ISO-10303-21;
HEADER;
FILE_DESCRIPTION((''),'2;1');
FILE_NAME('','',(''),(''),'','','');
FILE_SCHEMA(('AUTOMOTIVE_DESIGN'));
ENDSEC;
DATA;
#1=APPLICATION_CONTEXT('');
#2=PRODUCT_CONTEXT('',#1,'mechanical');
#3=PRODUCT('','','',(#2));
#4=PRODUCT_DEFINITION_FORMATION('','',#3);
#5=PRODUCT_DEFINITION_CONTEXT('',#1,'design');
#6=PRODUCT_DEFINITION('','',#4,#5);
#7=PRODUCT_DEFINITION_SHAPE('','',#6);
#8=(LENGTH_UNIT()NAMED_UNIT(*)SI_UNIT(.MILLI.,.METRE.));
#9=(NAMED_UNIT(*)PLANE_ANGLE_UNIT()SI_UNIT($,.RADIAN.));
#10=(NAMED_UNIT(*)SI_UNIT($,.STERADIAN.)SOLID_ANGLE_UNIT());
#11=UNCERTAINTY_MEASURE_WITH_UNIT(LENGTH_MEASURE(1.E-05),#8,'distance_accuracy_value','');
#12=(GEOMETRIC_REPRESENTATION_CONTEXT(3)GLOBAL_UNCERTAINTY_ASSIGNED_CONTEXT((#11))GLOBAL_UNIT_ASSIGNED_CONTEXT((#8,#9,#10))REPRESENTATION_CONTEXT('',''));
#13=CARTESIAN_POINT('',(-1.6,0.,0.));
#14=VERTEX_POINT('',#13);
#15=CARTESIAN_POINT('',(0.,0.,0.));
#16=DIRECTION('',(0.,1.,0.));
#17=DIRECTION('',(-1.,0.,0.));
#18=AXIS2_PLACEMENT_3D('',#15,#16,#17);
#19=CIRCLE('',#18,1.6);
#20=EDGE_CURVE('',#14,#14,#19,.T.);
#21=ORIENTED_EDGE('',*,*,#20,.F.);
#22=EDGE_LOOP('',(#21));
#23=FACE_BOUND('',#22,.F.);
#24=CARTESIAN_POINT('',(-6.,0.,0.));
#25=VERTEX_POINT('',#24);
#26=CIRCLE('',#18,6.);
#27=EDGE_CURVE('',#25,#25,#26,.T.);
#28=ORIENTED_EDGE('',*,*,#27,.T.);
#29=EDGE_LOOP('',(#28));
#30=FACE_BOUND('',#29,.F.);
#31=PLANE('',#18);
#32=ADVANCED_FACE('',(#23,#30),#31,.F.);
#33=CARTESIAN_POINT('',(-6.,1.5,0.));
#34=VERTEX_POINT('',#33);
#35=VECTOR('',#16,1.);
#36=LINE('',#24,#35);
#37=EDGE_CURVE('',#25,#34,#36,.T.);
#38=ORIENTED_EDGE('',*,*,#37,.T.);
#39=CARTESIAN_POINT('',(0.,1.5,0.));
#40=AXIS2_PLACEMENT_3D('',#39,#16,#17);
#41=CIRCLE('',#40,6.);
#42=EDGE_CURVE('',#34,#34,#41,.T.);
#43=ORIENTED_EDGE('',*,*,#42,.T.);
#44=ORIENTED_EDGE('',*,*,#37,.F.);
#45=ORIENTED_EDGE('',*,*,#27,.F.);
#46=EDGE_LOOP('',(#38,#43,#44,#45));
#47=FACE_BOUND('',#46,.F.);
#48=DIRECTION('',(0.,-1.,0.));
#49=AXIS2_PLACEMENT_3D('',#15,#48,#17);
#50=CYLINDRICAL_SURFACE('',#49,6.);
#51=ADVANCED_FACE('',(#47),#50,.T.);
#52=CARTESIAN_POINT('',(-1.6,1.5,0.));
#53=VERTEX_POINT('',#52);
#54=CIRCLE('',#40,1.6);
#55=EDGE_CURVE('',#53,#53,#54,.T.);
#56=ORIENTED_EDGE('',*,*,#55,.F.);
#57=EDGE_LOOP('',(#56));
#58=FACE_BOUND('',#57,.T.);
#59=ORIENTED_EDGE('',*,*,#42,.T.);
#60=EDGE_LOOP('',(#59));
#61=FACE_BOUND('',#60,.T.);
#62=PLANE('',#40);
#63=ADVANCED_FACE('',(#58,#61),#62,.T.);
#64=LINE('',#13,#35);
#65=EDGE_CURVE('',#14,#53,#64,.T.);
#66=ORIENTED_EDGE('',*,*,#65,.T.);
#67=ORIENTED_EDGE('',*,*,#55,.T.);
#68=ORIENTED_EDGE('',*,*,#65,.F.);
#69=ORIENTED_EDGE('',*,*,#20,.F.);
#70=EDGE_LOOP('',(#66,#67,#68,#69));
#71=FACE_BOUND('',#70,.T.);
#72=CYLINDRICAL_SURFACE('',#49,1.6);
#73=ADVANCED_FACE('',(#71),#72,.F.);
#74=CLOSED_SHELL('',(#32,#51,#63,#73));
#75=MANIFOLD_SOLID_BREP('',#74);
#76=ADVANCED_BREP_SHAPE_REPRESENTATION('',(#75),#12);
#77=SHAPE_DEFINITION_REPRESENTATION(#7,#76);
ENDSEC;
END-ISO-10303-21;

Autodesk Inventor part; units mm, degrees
ref_plane "YZ Plane" through (0, 0, 0) normal (1, 0, 0) x (0, 1, 0)
ref_plane "XZ Plane" through (0, 0, 0) normal (0, 1, 0) x (-1, 0, 0)
ref_plane "XY Plane" through (0, 0, 0) normal (0, 0, 1) x (1, 0, 0)
sketch "スケッチ1" plane through (0, 0, 0) normal (0, 1, 0) x (-1, 0, 0)
  circle A0 centre (0, 0) radius 6
  circle A1 centre (0, 0) radius 1.6
  dimension "d0" = 12
  dimension "d1" = 3.2
extrude "押し出し1" add sketch "スケッチ1" along normal blind 1.5
properties part number "washer"
